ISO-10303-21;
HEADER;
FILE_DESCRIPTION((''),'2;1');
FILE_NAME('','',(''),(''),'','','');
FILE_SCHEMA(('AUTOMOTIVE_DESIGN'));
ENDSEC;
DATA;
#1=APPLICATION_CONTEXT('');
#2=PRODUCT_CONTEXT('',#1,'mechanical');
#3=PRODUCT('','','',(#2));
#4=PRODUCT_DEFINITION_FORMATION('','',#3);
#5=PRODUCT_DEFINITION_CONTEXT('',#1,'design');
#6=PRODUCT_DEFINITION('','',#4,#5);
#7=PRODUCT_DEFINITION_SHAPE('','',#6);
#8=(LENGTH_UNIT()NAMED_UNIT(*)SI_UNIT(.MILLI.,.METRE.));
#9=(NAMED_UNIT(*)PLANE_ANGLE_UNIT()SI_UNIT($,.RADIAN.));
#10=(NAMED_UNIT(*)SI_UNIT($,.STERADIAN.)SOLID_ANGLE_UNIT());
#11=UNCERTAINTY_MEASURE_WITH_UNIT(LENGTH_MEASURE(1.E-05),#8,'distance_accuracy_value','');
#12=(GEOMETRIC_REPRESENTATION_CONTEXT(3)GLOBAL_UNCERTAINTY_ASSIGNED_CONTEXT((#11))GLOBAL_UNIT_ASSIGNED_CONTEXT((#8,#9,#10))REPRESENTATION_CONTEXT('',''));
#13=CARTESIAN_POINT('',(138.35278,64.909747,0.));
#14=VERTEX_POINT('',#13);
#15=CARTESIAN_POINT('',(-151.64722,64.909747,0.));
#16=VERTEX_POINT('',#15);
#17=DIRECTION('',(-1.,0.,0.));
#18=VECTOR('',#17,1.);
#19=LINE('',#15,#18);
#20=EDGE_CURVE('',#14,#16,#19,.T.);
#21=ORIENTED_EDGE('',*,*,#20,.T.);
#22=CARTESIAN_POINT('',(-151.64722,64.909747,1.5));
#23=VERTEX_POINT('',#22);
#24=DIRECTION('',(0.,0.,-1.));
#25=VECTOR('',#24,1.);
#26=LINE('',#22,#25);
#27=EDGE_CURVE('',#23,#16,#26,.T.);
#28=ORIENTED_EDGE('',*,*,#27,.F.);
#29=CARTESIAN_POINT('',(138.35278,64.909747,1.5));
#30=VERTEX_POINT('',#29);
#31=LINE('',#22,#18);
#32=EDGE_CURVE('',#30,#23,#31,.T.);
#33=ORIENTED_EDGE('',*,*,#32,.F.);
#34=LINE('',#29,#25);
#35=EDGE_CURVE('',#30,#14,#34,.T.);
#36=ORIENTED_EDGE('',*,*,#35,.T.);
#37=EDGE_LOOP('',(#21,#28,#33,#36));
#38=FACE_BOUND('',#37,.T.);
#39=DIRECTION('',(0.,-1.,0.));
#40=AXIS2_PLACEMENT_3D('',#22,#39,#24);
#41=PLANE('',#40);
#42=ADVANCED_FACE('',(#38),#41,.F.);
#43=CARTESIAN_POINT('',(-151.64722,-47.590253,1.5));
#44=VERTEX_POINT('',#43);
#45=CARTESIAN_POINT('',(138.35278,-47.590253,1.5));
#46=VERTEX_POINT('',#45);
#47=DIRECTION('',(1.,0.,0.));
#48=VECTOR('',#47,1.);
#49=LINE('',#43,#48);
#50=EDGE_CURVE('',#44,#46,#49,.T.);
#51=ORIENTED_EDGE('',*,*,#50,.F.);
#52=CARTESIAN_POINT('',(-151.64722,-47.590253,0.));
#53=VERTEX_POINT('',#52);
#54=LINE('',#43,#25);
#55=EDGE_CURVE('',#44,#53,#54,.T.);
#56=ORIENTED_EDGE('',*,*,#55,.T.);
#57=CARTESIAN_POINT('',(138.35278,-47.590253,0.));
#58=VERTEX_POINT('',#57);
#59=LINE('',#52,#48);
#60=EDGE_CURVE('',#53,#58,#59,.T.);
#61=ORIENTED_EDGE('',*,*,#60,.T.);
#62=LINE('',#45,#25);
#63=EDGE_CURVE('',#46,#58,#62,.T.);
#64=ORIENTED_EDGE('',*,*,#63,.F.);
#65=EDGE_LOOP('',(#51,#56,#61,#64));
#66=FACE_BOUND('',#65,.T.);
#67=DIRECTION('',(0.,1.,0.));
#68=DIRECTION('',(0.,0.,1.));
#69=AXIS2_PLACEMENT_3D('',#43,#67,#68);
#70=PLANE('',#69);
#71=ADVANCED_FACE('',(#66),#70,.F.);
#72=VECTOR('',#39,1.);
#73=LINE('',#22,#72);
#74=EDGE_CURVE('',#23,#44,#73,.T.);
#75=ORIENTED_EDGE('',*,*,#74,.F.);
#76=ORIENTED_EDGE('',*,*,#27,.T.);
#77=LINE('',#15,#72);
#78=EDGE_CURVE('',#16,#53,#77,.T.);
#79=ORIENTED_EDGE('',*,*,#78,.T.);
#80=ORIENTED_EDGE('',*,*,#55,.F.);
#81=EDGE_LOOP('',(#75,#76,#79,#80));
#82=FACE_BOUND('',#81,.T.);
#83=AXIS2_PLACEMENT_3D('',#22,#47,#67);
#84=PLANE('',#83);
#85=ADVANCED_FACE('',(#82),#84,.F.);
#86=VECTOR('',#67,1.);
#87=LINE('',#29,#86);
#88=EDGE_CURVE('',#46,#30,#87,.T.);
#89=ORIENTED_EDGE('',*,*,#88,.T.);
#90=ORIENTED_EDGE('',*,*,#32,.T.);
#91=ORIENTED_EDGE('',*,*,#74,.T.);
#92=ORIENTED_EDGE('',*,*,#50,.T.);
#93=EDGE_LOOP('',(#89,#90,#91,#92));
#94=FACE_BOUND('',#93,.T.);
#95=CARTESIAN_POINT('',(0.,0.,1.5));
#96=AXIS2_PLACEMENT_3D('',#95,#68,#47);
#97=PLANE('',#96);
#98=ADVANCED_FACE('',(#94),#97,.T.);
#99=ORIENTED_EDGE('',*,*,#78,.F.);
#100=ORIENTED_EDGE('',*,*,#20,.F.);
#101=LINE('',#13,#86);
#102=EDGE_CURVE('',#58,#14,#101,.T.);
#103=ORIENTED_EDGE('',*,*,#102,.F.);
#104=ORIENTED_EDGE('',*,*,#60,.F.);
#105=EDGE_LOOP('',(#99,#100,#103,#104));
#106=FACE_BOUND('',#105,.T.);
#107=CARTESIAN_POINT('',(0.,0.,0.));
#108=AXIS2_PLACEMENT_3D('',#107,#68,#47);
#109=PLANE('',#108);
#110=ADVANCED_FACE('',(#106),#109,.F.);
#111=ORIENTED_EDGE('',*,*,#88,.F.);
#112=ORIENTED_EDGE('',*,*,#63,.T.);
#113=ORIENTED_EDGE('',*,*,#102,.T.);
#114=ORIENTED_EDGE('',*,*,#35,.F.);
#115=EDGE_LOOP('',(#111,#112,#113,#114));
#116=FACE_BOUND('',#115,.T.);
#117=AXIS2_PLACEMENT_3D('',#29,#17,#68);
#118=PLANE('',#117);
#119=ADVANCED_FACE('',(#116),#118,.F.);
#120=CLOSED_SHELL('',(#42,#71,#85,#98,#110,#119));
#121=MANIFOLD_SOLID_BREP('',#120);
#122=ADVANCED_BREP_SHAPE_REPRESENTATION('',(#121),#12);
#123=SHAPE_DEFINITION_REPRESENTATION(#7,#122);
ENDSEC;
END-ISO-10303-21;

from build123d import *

# Parameters (mm, degrees)
SKETCH_1_W      = 290
SKETCH_1_H      = 112.5
EXTRUDE_1_DEPTH = 1.5


with BuildPart() as part:
    # 草圖1 → 填料-伸長1 (new body)
    with BuildSketch(Plane.XY):
        with Locations((-6.64721959, 8.659747292)):
            Rectangle(SKETCH_1_W, SKETCH_1_H)
    extrude(amount=EXTRUDE_1_DEPTH)


solid = part.part
